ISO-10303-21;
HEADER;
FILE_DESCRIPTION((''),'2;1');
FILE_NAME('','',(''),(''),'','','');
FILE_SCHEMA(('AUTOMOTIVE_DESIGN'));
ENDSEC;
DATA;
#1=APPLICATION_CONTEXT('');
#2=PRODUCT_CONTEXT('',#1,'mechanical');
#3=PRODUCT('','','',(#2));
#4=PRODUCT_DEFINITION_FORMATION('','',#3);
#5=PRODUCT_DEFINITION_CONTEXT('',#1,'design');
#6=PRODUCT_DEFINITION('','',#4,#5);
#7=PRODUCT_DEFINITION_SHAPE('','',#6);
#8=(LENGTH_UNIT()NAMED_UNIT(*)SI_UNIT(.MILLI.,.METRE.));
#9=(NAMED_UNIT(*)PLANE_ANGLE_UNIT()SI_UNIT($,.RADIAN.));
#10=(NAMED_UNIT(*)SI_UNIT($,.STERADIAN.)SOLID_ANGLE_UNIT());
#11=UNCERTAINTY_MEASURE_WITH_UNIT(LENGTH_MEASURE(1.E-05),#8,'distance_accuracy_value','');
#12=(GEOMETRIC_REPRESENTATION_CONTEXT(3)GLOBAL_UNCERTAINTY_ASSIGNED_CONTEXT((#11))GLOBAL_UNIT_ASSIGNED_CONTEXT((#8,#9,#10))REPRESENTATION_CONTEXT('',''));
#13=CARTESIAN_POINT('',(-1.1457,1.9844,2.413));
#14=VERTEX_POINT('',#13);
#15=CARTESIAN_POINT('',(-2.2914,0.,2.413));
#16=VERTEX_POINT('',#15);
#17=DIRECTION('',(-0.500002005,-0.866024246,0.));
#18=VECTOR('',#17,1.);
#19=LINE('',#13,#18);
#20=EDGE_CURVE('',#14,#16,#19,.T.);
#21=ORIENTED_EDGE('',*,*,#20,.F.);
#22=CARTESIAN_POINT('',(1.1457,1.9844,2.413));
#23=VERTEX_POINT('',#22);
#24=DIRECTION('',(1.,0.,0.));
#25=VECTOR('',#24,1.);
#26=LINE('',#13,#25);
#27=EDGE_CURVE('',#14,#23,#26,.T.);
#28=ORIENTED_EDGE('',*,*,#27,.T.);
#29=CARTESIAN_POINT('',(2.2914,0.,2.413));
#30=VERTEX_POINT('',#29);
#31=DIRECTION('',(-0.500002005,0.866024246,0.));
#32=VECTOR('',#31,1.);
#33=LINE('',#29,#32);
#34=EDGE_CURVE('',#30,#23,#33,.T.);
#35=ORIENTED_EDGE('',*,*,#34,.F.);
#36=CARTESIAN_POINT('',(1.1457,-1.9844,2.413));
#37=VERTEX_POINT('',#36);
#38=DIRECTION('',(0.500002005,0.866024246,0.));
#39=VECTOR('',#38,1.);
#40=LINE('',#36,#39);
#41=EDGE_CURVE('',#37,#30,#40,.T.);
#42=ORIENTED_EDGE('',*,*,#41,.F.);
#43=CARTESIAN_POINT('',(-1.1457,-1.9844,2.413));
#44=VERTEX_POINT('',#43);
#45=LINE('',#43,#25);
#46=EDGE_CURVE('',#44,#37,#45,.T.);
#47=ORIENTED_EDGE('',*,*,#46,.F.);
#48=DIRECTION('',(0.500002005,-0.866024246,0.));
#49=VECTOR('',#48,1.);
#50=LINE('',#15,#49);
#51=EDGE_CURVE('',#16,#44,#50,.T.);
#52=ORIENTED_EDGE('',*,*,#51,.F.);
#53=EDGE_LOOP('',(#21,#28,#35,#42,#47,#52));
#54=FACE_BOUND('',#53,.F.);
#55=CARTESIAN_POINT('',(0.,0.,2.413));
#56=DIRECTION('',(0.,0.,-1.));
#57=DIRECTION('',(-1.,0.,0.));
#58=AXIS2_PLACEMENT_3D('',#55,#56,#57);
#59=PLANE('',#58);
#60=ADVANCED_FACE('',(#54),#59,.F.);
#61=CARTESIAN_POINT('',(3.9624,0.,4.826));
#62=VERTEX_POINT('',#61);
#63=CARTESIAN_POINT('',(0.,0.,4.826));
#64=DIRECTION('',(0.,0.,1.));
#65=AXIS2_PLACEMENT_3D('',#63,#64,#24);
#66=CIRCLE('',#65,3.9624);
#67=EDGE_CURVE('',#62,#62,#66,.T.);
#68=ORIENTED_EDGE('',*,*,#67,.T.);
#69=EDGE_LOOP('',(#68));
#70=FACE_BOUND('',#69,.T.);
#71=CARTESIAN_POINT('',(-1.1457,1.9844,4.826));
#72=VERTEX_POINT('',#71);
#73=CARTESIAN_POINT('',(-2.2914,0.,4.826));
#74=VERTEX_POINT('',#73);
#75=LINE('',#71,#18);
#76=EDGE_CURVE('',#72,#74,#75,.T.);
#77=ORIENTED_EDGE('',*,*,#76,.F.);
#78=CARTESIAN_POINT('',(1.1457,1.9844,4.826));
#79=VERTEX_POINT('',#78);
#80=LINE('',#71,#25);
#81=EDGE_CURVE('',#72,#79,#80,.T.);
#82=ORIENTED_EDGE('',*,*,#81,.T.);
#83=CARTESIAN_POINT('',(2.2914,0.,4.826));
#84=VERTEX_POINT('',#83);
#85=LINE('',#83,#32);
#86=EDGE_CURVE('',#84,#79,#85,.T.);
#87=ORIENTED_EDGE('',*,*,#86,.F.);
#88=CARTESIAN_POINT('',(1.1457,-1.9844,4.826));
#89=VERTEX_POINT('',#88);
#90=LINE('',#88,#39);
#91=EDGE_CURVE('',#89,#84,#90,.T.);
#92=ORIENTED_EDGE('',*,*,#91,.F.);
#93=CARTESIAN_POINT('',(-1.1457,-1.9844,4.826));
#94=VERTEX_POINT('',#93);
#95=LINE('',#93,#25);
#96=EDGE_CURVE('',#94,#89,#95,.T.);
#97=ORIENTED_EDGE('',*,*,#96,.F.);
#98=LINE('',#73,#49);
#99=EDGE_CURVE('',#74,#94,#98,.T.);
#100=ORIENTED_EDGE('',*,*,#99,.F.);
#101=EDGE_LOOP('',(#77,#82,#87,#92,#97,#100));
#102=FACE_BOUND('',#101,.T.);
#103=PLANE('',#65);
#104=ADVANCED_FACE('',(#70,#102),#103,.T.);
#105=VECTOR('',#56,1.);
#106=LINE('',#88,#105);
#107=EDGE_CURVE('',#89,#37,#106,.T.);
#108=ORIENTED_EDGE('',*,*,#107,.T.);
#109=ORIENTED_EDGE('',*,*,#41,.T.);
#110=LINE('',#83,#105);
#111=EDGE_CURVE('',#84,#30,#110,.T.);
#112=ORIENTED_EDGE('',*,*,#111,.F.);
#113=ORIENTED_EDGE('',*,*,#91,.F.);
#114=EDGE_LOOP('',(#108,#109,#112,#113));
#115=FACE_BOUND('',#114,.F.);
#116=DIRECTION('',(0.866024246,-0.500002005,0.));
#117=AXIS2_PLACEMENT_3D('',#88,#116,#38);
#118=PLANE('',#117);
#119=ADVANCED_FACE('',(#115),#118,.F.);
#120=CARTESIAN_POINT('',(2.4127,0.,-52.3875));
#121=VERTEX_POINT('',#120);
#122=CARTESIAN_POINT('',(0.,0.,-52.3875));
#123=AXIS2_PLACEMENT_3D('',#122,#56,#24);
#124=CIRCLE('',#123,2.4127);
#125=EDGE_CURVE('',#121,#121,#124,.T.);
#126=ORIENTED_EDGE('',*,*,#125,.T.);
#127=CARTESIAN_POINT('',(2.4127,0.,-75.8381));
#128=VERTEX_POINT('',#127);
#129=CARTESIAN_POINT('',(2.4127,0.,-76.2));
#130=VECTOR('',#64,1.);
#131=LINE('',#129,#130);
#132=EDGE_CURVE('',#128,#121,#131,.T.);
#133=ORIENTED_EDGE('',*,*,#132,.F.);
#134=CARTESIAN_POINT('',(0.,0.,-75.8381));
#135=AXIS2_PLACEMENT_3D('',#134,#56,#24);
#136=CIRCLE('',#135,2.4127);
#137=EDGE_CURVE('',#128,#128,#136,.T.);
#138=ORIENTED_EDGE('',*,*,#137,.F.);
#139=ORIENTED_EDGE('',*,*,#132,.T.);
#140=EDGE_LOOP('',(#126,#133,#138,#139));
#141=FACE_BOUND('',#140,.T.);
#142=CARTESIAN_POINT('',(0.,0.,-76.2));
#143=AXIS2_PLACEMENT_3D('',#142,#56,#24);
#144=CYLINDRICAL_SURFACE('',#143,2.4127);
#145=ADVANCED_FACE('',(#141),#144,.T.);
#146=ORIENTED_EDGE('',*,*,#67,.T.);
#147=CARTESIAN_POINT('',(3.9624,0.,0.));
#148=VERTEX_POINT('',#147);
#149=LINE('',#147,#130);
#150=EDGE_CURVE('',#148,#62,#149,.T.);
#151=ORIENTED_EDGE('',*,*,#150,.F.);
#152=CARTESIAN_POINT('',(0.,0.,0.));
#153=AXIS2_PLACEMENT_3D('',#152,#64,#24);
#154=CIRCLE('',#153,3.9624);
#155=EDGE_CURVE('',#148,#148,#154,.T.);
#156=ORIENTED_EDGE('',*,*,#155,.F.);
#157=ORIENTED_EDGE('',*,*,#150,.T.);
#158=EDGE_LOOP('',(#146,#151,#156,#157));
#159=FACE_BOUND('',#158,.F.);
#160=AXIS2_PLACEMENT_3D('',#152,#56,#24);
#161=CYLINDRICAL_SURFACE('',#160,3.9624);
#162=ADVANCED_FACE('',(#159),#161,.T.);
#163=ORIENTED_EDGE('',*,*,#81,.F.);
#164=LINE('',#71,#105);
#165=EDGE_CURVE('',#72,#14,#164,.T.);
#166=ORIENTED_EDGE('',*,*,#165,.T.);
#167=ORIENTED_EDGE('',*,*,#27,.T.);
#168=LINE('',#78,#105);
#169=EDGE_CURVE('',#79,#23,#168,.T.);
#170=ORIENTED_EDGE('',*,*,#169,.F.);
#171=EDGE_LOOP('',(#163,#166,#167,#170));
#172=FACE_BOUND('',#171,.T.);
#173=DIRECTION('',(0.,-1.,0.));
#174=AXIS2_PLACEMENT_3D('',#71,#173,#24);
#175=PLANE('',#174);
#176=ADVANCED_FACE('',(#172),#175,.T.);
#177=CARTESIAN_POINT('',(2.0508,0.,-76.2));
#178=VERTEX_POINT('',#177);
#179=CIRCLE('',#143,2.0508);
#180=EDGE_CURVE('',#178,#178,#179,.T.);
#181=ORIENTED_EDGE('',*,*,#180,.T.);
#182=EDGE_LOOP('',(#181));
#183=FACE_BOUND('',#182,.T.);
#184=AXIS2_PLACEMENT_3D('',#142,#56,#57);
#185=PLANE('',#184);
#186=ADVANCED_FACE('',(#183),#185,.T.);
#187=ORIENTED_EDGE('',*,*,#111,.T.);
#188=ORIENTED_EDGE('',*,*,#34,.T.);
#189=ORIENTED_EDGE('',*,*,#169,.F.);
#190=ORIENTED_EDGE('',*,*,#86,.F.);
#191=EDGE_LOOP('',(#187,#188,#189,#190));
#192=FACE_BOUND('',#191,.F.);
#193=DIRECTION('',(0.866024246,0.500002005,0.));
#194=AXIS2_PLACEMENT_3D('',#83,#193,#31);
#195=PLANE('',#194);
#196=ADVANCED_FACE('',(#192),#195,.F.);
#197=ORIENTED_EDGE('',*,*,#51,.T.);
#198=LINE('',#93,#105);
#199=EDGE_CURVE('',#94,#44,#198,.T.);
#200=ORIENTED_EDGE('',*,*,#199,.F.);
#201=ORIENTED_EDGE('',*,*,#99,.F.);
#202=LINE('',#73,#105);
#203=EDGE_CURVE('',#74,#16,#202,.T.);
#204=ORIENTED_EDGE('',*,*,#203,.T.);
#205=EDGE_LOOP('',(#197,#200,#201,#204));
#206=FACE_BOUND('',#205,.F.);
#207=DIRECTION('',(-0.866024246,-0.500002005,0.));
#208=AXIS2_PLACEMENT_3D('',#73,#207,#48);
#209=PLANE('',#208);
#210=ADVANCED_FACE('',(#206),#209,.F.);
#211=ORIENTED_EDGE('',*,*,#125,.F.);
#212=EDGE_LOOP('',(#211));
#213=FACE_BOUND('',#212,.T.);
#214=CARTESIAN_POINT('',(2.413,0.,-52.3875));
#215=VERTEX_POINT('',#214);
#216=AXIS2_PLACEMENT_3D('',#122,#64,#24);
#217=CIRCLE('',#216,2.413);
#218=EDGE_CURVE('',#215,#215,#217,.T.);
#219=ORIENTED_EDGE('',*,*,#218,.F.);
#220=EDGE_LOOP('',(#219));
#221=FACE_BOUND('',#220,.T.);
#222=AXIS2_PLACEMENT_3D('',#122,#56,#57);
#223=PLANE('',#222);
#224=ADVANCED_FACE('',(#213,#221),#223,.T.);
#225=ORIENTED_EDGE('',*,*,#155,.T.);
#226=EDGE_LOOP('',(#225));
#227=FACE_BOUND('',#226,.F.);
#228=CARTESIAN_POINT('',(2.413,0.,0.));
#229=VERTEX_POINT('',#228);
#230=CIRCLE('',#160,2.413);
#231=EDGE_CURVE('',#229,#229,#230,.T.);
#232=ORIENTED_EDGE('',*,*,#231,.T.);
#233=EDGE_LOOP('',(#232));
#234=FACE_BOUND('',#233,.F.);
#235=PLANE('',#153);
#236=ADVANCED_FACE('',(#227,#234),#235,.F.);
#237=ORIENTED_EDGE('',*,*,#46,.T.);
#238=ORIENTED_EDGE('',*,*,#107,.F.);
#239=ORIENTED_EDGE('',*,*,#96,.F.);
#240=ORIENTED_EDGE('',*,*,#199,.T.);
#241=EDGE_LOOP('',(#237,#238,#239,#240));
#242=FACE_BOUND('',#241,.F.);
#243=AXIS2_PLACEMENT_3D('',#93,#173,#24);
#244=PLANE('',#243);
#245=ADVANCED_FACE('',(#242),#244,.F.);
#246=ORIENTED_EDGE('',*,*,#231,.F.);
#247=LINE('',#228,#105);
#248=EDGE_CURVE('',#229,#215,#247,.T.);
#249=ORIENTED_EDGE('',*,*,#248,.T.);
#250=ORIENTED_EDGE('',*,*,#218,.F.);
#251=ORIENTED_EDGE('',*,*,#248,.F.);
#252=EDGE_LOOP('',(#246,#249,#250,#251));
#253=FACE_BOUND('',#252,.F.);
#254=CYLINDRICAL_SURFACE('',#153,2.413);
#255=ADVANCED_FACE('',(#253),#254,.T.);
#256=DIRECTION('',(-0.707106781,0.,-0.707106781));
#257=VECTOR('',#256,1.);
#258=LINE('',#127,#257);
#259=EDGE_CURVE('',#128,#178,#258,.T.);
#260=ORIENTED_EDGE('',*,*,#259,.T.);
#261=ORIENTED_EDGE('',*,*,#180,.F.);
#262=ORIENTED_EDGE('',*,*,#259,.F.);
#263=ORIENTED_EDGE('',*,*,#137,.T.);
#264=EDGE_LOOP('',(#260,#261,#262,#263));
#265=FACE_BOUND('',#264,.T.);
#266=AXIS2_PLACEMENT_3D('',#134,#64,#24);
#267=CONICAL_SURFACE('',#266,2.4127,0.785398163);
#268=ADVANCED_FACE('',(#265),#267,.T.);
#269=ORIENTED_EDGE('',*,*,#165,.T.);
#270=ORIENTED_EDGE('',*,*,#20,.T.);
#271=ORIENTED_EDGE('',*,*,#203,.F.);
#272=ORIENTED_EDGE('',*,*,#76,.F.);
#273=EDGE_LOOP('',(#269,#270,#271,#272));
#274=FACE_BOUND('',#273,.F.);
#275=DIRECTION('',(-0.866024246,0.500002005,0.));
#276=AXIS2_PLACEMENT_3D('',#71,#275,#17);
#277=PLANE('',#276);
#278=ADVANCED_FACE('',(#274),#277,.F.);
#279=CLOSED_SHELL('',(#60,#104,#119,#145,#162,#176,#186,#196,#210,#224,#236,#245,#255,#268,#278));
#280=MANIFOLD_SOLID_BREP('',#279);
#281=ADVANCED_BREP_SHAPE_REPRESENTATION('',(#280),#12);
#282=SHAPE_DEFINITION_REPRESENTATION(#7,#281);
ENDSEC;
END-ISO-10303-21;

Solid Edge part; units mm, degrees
sketch "Sketch1" plane through (0, 0, 0) normal (0, 0, 1) x (1, 0, 0)
  circle A0 centre (0, 0) radius 3.9624
  dimension "D1" = 7.9248
extrude "Protrusion1" add sketch "Sketch1" along normal blind 4.826
sketch "Sketch2" plane through (0, 0, 0) normal (0, 0, -1) x (1, 0, 0)
  circle A0 centre (0, 0) radius 2.413
extrude "Protrusion2" add sketch "Sketch2" along normal blind 76.2
sketch "Sketch3" plane through (0, 0, -76.2) normal (0, 0, -1) x (1, 0, 0)
  circle A0 centre (0, 0) radius 2.4127
extrude "Cutout1" cut sketch "Sketch3" against normal blind 23.8125 flip side to cut
chamfer "Chamfer_1" distance 0.3619 angle 45 1 edges at (-2.4127, 0, -76.2)
sketch "Sketch4" plane through (0, 0, 4.826) normal (0, 0, 1) x (1, 0, 0)
  line L0 (-1.1457, 1.9844) -> (1.1457, 1.9844)
  line L1 (2.2914, 0) -> (1.1457, 1.9844)
  line L2 (1.1457, -1.9844) -> (2.2914, 0)
  line L3 (-1.1457, -1.9844) -> (1.1457, -1.9844)
  line L4 (-2.2914, 0) -> (-1.1457, -1.9844)
  line L5 (-1.1457, 1.9844) -> (-2.2914, 0)
  dimension "D1" = 3.9688
extrude "Cutout2" cut sketch "Sketch4" against normal blind 2.413
properties part number "148022"
